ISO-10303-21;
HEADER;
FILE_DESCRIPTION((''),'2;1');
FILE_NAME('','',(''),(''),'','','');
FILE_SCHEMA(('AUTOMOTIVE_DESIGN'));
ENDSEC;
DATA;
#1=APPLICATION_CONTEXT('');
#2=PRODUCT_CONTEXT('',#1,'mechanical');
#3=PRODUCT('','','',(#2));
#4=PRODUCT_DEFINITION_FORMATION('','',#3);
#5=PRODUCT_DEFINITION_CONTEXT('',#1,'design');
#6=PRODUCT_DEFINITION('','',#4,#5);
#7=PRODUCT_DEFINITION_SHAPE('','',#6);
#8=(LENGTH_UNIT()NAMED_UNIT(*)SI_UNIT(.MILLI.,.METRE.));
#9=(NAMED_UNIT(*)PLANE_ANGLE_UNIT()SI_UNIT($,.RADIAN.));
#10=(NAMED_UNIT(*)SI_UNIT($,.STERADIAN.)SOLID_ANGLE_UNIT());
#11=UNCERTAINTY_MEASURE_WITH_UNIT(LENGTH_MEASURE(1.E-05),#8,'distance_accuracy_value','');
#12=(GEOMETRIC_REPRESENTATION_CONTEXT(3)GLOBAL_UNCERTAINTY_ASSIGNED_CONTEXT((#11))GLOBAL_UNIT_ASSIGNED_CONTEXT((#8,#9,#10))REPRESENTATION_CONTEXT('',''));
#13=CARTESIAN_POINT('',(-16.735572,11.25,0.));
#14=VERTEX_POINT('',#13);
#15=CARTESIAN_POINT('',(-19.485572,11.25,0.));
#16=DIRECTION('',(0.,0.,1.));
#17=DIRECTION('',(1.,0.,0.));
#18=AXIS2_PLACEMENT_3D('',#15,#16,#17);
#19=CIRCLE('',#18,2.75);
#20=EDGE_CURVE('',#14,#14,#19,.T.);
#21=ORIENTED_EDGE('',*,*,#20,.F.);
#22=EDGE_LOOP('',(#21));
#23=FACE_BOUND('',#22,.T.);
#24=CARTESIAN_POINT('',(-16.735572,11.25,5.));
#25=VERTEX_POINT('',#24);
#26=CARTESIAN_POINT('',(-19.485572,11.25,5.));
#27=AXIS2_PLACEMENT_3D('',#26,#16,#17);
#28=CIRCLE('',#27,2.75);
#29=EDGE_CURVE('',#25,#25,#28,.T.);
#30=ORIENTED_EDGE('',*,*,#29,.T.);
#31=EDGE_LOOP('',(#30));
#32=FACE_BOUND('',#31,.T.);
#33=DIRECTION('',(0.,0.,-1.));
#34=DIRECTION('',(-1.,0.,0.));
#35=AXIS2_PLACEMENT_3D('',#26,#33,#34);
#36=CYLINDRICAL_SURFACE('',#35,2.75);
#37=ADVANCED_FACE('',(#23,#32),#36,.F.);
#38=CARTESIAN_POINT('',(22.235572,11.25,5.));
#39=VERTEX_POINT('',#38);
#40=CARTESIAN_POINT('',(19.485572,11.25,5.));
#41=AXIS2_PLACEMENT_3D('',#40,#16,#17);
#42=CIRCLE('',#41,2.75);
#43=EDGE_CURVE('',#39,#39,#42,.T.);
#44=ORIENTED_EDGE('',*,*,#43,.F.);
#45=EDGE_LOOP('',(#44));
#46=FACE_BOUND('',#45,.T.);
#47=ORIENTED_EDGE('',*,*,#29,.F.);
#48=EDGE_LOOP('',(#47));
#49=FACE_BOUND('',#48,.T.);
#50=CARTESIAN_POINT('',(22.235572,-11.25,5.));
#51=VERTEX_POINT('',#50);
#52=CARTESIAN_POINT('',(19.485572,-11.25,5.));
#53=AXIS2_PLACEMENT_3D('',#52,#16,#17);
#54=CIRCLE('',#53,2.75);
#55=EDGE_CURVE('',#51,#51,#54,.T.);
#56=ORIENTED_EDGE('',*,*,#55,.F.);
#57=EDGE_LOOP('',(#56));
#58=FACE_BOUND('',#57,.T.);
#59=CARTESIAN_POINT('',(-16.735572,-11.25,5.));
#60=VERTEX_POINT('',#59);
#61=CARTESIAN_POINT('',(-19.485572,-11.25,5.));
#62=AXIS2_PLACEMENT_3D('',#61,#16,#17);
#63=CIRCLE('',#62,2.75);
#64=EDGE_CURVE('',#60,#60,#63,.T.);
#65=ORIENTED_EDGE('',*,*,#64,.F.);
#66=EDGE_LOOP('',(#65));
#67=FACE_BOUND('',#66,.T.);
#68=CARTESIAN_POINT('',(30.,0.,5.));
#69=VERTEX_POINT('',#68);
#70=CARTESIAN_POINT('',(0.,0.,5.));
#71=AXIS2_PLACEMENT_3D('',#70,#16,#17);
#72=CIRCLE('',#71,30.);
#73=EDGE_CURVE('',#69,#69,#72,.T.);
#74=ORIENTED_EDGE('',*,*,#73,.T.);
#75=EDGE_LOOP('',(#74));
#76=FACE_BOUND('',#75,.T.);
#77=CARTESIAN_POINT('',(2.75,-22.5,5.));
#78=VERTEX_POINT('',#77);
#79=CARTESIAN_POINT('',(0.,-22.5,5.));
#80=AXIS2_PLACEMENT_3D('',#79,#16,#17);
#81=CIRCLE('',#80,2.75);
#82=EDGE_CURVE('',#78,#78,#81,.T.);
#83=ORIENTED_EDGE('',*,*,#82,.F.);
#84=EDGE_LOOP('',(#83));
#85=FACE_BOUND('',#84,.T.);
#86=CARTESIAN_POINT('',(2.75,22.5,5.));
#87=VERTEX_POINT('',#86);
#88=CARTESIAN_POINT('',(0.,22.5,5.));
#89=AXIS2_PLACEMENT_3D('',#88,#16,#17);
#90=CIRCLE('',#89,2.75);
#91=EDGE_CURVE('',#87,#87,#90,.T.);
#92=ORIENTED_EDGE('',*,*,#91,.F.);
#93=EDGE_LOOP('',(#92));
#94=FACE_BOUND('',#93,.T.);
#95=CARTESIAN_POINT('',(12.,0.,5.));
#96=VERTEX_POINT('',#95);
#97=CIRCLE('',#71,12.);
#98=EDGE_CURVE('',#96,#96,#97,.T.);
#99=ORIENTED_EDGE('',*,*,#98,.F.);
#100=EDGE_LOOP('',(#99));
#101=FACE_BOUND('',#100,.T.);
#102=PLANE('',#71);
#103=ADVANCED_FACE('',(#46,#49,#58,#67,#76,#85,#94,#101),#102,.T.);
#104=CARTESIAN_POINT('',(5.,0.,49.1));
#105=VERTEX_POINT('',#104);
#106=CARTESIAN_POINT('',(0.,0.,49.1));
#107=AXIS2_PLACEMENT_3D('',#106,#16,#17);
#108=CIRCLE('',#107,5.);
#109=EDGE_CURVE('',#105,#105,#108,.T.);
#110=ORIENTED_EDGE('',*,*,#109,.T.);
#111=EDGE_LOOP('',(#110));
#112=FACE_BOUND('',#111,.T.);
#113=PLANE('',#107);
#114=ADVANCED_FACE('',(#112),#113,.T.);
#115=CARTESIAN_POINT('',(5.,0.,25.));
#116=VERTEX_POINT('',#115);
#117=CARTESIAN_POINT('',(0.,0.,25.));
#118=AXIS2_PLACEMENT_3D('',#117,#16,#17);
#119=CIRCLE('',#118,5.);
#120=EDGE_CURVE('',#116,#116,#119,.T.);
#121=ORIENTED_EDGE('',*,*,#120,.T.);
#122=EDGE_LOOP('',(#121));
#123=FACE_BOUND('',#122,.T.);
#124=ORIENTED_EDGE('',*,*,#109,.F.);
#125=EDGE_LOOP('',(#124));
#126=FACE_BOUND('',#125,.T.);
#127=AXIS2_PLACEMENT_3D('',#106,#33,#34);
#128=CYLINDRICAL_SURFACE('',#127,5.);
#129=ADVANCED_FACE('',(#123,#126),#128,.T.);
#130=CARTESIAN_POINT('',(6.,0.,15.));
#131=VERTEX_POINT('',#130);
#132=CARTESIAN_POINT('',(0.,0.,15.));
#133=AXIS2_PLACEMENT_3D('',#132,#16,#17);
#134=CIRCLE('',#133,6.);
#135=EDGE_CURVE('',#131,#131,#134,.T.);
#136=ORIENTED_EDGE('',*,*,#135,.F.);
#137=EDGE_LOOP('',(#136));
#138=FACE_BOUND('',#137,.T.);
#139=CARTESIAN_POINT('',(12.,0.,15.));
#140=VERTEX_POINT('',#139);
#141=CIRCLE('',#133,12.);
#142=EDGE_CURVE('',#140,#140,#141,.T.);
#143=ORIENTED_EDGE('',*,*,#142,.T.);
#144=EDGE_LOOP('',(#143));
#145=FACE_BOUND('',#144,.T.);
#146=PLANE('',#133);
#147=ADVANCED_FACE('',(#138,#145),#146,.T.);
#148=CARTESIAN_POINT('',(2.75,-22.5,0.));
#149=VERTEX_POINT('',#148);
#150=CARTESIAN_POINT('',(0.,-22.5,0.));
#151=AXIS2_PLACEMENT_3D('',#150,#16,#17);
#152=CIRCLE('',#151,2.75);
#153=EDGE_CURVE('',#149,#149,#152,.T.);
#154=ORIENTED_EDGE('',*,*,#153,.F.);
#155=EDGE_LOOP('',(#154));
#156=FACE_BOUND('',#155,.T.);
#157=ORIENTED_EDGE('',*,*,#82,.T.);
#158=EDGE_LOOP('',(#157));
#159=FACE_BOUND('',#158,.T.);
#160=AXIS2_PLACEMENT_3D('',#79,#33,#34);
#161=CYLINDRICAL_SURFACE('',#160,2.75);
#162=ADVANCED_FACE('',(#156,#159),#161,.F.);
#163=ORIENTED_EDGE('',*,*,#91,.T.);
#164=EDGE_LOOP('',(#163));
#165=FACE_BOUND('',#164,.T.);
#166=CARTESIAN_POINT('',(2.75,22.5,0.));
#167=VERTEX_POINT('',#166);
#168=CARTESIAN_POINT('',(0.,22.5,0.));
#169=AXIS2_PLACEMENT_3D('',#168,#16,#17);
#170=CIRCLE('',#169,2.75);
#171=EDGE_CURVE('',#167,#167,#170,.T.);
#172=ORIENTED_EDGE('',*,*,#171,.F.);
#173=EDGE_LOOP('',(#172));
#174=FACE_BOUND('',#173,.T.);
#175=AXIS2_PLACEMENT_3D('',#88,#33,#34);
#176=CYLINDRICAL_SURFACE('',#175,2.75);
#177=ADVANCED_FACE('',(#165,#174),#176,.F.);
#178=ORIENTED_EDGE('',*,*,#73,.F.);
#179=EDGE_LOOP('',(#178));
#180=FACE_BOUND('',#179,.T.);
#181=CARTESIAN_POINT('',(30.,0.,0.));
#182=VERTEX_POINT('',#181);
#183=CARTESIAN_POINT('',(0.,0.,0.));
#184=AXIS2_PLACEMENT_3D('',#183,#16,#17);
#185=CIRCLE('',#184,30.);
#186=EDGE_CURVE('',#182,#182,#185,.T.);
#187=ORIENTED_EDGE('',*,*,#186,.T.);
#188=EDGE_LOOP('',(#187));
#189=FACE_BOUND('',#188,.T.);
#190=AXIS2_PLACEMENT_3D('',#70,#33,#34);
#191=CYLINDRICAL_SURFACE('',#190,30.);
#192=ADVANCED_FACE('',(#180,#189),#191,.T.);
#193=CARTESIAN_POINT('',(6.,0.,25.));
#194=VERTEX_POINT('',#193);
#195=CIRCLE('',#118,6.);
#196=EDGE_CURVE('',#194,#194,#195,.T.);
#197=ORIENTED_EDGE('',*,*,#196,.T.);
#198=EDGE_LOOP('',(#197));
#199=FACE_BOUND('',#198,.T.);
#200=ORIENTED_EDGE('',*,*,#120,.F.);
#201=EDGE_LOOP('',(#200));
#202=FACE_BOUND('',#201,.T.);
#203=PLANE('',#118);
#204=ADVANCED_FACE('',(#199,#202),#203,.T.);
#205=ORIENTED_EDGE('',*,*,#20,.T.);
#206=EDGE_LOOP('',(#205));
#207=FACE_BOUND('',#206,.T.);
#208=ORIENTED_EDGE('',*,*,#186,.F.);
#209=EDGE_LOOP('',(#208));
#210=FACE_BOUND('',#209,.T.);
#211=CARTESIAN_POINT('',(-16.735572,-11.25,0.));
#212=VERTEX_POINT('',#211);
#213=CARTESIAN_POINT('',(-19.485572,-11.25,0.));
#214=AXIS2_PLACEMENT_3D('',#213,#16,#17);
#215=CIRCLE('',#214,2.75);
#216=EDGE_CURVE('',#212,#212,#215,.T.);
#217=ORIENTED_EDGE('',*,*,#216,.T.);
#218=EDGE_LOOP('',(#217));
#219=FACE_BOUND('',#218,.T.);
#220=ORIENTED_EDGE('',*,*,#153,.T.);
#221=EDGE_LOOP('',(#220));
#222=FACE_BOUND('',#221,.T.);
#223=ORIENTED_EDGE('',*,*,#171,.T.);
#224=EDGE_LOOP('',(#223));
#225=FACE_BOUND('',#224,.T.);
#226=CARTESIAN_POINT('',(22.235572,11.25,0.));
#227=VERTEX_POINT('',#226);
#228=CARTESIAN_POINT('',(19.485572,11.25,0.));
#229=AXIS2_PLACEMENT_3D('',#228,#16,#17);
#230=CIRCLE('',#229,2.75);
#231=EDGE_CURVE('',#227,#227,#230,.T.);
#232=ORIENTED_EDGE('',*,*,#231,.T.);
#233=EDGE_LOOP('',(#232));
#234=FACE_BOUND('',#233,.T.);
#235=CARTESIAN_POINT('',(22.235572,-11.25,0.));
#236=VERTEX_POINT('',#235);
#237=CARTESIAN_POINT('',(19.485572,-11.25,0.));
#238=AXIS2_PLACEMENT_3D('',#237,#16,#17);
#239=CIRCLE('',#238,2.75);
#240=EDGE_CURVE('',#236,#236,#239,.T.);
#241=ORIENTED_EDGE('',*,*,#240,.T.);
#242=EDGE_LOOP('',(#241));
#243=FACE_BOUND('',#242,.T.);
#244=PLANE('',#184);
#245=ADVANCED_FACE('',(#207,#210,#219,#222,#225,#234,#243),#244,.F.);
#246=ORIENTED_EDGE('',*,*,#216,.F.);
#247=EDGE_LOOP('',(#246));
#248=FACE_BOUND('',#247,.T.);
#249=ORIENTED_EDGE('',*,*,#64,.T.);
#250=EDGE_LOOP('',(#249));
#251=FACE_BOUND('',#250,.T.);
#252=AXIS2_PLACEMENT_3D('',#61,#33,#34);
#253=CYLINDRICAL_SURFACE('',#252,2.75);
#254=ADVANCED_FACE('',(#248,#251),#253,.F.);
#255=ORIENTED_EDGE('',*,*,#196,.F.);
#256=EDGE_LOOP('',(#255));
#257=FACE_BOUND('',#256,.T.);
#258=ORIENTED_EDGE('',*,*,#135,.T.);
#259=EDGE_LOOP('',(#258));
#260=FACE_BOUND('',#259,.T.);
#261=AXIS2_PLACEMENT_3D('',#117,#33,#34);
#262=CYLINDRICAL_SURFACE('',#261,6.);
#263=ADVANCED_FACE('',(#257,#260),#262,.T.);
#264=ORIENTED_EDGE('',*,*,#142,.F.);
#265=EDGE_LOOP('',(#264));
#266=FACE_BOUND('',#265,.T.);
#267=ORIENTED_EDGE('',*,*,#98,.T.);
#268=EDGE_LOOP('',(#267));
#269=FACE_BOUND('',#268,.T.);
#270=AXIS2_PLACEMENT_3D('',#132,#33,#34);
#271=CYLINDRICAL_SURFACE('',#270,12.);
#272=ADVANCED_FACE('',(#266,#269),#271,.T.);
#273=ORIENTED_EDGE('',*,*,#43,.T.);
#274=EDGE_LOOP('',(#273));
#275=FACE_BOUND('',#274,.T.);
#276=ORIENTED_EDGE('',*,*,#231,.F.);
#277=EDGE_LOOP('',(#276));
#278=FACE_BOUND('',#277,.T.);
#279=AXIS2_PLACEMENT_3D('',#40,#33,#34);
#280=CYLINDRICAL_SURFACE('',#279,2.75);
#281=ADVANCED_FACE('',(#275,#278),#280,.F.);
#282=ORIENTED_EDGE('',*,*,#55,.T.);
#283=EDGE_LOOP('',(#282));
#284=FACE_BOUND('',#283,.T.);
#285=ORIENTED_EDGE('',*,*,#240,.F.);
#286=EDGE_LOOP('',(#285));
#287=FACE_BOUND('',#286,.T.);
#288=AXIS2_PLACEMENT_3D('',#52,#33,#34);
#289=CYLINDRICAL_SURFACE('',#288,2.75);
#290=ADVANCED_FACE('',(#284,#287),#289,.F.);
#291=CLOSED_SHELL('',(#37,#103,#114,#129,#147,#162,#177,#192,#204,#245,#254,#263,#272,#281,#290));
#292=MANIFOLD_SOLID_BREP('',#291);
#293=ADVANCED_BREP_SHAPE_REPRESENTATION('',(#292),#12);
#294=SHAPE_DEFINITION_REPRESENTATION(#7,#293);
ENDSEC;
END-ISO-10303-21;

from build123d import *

# Parameters (mm, degrees)
SKETCH_1_R      = 30
SKETCH_1_R_2    = 2.75
EXTRUDE_1_DEPTH = 5
SKETCH_2_R      = 12
EXTRUDE_2_DEPTH = 10
SKETCH_3_R      = 6
EXTRUDE_3_DEPTH = 10
SKETCH_5_R      = 5
EXTRUDE_4_DEPTH = 24.1


with BuildPart() as part:
    # 草图1 → 凸台-拉伸1 (new body)
    with BuildSketch(Plane.XY):
        Circle(SKETCH_1_R)
        with Locations((0, 22.5)):
            Circle(SKETCH_1_R_2, mode=Mode.SUBTRACT)
        with Locations((19.485571585, 11.25)):
            Circle(SKETCH_1_R_2, mode=Mode.SUBTRACT)
        with Locations((19.485571585, -11.25)):
            Circle(SKETCH_1_R_2, mode=Mode.SUBTRACT)
        with Locations((0, -22.5)):
            Circle(SKETCH_1_R_2, mode=Mode.SUBTRACT)
        with Locations((-19.485571585, -11.25)):
            Circle(SKETCH_1_R_2, mode=Mode.SUBTRACT)
        with Locations((-19.485571585, 11.25)):
            Circle(SKETCH_1_R_2, mode=Mode.SUBTRACT)
    extrude(amount=EXTRUDE_1_DEPTH)

    # 草图2 → 凸台-拉伸2 (add)
    with BuildSketch(Plane.XY.offset(5)):
        Circle(SKETCH_2_R)
    extrude(amount=EXTRUDE_2_DEPTH)

    # 草图3 → 凸台-拉伸3 (add)
    with BuildSketch(Plane.XY.offset(15)):
        Circle(SKETCH_3_R)
    extrude(amount=EXTRUDE_3_DEPTH)

    # 草图5 → 凸台-拉伸4 (add)
    with BuildSketch(Plane.XY.offset(25)):
        Circle(SKETCH_5_R)
    extrude(amount=EXTRUDE_4_DEPTH)


solid = part.part
